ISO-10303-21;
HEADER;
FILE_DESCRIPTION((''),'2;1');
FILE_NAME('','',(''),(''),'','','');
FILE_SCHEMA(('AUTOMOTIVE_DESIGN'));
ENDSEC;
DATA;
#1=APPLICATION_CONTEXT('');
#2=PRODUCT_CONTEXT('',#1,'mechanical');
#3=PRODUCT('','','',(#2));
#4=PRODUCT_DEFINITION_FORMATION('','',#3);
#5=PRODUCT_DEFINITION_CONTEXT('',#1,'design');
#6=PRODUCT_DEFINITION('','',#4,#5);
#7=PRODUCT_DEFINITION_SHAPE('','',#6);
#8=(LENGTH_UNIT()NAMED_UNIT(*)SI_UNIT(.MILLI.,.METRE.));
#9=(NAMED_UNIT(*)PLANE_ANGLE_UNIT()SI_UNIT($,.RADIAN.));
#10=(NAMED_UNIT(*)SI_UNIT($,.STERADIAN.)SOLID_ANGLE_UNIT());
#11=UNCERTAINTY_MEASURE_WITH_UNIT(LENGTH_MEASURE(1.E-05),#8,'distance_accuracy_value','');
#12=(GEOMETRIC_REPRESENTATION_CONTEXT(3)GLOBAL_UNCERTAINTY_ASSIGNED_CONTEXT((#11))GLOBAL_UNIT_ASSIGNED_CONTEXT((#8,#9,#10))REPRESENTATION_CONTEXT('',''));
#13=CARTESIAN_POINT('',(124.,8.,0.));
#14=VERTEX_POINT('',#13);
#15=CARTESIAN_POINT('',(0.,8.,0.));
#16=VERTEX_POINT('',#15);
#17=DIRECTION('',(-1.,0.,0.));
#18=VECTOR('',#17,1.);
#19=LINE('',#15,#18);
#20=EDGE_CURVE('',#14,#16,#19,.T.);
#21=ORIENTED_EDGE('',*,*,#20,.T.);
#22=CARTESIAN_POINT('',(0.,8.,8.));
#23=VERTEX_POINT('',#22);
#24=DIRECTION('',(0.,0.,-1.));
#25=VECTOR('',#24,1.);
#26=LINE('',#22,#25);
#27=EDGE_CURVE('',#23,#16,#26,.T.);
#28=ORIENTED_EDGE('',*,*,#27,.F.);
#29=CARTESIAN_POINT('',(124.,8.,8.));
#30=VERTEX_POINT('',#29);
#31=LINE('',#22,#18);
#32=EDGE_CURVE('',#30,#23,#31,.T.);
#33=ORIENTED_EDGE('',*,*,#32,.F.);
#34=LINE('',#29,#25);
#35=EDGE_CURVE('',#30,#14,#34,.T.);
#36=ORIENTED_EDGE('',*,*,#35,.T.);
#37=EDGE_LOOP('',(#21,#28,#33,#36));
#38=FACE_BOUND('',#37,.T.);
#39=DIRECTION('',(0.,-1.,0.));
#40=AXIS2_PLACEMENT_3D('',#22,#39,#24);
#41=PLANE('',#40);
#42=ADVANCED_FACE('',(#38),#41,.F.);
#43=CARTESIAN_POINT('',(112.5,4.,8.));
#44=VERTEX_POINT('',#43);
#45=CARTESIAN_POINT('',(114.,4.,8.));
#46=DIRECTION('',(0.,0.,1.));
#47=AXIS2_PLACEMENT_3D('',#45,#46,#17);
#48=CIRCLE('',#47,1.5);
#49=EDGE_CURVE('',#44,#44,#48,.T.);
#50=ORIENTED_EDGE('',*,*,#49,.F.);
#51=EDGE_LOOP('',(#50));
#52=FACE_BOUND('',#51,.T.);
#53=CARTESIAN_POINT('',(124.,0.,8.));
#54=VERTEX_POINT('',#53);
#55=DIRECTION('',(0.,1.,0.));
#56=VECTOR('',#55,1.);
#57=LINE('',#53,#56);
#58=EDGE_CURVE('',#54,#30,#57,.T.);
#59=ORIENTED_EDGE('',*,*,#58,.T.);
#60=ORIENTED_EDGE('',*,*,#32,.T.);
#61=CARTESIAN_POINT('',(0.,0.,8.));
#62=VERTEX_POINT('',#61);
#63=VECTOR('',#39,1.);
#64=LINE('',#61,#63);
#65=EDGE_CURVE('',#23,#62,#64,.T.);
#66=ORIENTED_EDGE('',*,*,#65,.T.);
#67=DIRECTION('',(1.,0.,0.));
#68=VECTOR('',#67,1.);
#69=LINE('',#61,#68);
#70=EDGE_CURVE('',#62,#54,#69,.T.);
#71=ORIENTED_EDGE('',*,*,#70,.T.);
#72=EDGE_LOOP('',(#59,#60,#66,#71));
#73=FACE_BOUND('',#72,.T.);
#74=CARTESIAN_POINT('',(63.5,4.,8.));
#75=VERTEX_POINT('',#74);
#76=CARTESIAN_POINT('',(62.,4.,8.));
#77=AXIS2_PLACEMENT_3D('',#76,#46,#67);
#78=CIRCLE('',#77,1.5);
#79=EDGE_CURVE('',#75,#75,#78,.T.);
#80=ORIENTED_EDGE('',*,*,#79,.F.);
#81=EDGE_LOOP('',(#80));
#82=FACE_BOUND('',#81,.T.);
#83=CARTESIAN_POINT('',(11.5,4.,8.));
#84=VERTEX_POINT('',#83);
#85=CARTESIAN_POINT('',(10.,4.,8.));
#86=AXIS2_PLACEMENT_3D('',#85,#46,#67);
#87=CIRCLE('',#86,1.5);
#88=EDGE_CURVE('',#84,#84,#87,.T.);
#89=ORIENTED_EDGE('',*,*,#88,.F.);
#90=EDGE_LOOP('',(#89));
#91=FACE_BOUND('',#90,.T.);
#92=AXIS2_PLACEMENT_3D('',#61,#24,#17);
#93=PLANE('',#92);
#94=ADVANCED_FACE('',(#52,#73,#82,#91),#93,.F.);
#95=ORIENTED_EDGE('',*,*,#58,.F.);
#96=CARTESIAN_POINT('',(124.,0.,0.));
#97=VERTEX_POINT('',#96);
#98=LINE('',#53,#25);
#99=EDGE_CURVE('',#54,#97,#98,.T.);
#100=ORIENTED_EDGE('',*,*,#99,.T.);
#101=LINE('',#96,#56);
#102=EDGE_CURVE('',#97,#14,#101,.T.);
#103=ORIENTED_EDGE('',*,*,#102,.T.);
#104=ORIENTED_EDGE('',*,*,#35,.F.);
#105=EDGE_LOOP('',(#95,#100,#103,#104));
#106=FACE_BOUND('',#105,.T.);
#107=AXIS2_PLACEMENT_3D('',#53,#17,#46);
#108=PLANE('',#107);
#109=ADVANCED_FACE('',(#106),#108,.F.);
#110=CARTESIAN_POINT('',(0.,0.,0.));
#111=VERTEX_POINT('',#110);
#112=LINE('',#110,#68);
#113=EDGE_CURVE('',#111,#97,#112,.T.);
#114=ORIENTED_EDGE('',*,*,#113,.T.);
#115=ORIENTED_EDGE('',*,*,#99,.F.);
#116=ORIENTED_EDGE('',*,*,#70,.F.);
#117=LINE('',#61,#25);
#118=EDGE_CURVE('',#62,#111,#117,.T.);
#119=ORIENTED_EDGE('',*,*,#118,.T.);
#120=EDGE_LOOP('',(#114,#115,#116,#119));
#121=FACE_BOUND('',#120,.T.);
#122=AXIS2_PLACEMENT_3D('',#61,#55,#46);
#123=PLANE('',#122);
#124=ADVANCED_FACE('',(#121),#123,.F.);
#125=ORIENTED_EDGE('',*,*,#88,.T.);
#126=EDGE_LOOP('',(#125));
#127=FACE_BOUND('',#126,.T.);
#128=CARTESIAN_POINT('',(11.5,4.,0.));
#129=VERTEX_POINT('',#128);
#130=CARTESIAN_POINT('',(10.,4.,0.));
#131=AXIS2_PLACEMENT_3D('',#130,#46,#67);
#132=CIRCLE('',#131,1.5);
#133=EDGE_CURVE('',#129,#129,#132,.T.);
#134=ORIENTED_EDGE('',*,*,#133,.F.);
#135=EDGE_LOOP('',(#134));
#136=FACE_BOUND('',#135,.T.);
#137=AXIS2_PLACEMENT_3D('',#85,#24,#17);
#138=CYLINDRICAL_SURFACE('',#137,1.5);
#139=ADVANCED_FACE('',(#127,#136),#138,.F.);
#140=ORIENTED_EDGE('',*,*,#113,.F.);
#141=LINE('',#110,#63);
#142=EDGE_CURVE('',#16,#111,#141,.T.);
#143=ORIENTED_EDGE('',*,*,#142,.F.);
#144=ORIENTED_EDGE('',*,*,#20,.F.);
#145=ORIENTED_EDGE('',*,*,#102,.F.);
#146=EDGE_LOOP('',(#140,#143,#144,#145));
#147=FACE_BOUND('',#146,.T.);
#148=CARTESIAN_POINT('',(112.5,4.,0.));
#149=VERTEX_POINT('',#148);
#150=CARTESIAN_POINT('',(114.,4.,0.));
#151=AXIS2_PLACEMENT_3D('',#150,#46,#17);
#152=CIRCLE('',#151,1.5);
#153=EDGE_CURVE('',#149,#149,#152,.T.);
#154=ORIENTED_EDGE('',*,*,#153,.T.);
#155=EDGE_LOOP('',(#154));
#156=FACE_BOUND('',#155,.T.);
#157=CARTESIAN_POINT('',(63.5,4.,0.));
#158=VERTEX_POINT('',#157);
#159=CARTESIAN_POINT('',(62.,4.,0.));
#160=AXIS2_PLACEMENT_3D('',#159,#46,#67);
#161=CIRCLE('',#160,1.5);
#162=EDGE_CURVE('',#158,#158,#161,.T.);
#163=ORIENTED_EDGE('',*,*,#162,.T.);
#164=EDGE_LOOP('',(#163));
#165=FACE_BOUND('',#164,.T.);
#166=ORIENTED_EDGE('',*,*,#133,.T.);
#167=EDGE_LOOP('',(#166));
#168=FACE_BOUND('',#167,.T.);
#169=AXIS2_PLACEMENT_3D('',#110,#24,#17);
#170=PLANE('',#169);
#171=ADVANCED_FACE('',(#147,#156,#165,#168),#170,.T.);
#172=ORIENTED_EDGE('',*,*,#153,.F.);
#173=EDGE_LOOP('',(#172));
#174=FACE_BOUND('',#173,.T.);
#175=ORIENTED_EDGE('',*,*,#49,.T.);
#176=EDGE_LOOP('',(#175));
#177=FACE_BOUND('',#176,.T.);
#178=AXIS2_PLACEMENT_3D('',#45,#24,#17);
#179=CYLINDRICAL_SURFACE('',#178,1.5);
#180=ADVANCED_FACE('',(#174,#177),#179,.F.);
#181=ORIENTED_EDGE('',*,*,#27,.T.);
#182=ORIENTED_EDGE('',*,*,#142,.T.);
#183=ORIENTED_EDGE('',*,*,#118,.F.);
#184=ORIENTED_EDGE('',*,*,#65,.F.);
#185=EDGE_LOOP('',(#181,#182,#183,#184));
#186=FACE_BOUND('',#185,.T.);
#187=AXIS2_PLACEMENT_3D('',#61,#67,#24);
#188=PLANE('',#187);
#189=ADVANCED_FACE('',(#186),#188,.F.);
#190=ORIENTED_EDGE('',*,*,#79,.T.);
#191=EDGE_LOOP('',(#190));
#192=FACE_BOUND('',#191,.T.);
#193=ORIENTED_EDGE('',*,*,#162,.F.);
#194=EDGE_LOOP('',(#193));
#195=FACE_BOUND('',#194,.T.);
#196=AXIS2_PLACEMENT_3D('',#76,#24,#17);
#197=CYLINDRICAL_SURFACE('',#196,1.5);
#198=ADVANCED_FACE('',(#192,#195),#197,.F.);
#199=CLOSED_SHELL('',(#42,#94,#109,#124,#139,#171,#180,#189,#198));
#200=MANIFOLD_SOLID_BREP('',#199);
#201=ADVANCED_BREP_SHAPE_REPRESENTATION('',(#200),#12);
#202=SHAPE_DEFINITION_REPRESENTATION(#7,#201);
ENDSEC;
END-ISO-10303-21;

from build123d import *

# Parameters (mm, degrees)
SKETCH_1_W      = 124
SKETCH_1_H      = 8
SKETCH_1_R      = 1.5
EXTRUDE_1_DEPTH = 8


with BuildPart() as part:
    # 草图1 → 凸台-拉伸1 (new body)
    with BuildSketch(Plane.XY):
        with Locations((62, 4)):
            Rectangle(SKETCH_1_W, SKETCH_1_H)
        with Locations((62, 4)):
            Circle(SKETCH_1_R, mode=Mode.SUBTRACT)
        with Locations((10, 4)):
            Circle(SKETCH_1_R, mode=Mode.SUBTRACT)
        with Locations(Location((114, 4, 0), (0, 0, 180))):
            Circle(SKETCH_1_R, mode=Mode.SUBTRACT)
    extrude(amount=EXTRUDE_1_DEPTH)


solid = part.part
